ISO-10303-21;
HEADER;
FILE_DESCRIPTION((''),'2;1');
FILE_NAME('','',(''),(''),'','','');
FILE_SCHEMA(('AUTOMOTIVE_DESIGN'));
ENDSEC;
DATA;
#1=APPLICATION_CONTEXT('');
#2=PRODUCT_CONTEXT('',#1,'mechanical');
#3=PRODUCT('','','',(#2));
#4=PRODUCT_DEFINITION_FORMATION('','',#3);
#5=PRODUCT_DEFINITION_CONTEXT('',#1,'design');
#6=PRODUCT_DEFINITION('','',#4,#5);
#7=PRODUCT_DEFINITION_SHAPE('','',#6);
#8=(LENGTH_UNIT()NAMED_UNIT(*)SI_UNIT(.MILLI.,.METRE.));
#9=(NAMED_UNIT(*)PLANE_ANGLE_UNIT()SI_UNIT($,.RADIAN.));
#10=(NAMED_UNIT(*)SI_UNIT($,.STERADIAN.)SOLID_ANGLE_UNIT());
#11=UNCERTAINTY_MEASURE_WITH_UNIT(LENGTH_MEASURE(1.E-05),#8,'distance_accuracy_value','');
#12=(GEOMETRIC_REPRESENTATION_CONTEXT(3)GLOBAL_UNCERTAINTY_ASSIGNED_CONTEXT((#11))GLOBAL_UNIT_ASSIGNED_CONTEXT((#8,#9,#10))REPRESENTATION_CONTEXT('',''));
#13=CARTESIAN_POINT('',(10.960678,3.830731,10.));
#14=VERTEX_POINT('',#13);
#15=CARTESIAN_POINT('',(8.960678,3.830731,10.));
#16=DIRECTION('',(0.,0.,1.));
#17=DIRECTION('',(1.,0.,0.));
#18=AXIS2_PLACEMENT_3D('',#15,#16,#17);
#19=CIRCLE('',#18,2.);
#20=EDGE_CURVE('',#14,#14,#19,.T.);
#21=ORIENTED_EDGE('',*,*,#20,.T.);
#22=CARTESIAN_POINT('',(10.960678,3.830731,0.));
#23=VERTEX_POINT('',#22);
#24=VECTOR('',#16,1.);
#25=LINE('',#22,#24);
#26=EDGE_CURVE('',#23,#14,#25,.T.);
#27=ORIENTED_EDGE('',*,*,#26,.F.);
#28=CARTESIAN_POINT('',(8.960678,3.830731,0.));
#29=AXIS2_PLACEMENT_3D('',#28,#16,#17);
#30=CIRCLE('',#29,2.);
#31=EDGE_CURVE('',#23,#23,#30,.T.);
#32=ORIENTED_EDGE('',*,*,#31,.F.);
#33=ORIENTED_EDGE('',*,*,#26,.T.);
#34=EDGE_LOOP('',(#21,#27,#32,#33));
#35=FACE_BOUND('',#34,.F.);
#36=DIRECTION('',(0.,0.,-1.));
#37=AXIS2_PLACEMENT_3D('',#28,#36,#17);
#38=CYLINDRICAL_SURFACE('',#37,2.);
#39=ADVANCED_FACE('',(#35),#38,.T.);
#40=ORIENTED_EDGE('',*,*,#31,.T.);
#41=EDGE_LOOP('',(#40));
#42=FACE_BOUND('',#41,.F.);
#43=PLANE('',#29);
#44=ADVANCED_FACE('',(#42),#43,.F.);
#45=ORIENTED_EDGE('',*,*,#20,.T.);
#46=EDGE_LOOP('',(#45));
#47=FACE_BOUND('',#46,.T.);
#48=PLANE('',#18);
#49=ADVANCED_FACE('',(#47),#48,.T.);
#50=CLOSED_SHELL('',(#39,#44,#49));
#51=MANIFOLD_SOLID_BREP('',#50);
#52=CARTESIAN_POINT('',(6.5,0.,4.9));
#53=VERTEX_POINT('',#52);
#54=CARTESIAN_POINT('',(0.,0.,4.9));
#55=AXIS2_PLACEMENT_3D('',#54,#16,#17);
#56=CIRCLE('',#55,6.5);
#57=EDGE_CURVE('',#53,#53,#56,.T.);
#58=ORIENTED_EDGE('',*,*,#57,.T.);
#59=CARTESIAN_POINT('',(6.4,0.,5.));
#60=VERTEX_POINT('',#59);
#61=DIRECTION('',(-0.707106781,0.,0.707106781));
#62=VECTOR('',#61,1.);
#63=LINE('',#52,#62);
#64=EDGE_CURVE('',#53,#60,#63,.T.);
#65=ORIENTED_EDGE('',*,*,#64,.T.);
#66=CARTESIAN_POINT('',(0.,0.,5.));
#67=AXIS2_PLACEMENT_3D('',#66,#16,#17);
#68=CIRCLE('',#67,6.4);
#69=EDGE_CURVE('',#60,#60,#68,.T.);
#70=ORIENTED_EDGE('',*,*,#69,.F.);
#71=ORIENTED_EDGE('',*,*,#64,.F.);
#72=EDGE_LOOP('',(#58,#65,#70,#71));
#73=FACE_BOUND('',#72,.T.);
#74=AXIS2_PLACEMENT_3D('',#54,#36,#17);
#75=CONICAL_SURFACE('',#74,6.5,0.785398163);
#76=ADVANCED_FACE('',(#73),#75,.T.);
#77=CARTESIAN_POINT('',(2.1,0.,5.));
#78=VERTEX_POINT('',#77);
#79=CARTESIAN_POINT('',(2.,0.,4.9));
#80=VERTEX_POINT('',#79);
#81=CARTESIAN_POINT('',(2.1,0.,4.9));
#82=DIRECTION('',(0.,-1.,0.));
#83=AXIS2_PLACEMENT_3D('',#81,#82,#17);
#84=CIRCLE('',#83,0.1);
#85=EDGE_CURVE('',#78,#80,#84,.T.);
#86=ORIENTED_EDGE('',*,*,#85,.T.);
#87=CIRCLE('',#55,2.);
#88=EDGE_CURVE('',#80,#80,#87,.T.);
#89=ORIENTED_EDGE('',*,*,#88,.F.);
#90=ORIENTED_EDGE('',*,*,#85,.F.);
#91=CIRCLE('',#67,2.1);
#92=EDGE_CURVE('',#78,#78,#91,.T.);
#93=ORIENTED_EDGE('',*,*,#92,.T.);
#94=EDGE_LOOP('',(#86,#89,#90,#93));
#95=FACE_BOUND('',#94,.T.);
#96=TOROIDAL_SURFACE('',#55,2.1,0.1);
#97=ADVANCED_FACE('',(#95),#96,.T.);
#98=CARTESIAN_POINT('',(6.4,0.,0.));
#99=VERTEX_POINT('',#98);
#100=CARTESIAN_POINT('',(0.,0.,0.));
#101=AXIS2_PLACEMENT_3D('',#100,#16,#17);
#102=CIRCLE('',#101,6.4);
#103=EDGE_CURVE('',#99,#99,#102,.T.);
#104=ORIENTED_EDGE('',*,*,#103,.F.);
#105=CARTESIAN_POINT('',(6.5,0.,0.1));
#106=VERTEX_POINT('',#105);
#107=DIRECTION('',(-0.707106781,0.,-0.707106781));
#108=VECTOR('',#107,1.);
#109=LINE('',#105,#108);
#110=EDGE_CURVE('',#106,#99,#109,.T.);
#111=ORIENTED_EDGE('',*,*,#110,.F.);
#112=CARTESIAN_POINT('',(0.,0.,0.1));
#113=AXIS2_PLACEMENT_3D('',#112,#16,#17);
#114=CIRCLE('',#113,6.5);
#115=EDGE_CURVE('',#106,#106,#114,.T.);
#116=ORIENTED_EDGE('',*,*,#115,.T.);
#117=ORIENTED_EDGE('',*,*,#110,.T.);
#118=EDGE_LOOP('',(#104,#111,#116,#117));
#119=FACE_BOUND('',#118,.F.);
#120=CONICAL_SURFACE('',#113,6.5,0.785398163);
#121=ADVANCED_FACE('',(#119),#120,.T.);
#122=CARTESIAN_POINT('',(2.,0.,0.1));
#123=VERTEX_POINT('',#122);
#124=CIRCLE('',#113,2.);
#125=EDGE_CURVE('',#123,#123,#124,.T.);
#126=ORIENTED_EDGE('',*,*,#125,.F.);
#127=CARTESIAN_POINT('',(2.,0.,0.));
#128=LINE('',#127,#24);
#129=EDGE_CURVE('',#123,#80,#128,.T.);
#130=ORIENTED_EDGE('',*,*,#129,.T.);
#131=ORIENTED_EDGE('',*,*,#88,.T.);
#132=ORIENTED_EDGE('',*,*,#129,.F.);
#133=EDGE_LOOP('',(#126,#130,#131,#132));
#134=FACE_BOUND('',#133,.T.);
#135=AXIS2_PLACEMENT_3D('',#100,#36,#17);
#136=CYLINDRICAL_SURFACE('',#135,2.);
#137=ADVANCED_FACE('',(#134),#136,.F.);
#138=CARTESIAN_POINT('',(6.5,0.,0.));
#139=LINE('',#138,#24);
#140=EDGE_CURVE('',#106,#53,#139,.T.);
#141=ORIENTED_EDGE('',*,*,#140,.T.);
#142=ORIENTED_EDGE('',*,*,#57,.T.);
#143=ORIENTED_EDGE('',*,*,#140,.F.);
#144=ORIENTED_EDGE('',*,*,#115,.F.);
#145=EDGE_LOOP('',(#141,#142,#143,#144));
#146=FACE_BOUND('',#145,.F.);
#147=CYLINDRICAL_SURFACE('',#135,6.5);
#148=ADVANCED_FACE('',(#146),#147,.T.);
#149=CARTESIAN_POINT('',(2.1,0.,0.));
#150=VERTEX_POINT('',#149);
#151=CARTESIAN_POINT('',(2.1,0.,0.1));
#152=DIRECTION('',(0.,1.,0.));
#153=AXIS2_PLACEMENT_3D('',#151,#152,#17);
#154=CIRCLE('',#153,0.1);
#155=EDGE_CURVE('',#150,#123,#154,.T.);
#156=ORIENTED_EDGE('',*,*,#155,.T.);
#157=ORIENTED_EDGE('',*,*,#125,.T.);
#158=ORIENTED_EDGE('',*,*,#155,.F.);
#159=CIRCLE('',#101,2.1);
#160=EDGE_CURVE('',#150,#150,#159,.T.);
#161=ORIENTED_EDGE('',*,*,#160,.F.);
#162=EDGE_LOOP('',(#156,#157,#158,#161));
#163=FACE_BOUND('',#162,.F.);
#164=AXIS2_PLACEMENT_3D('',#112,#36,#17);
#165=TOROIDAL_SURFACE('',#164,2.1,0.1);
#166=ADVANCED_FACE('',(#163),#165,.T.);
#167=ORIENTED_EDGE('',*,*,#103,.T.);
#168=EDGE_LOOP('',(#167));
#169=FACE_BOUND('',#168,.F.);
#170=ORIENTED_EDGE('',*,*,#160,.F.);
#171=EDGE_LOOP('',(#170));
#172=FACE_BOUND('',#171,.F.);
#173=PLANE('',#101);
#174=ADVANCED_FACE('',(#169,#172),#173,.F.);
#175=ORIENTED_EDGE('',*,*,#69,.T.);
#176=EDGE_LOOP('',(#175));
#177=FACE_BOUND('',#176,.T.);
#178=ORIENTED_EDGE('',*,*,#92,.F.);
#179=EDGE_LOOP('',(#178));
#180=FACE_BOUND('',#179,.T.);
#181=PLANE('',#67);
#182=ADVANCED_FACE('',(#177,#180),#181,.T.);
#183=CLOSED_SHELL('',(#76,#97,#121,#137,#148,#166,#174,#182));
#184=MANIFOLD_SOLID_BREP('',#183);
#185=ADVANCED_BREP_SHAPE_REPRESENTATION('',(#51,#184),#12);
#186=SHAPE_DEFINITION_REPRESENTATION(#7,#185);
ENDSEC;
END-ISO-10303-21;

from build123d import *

# Parameters (mm, degrees)
F0_R     = 6.5
F0_R_2   = 2
F1_DEPTH = 5
F2_SIZE  = 0.1
F3_R     = 0.1
F4_R     = 2
F5_DEPTH = 10


with BuildPart() as f1:
    # F0 (on Top) → F1 (new body)
    with BuildSketch(Plane.XY):
        Circle(F0_R)
        Circle(F0_R_2, mode=Mode.SUBTRACT)
    extrude(amount=F1_DEPTH)

    # F2
    f2_edges = [f1.edges().sort_by_distance(p)[0] for p in [
        (-6.5, 0, 5),
        (-6.5, 0, 0),
    ]]
    chamfer(f2_edges, length=F2_SIZE)

    # F3
    f3_edges = [f1.edges().sort_by_distance(p)[0] for p in [
        (-2, 0, 5),
        (-2, 0, 0),
    ]]
    fillet(f3_edges, radius=F3_R)


with BuildPart() as f5:
    # F4 (on Top) → F5 (new body)
    with BuildSketch(Plane.XY):
        with Locations((8.960678, 3.830731)):
            Circle(F4_R)
    extrude(amount=F5_DEPTH)


solid = Compound([f1.part, f5.part])
